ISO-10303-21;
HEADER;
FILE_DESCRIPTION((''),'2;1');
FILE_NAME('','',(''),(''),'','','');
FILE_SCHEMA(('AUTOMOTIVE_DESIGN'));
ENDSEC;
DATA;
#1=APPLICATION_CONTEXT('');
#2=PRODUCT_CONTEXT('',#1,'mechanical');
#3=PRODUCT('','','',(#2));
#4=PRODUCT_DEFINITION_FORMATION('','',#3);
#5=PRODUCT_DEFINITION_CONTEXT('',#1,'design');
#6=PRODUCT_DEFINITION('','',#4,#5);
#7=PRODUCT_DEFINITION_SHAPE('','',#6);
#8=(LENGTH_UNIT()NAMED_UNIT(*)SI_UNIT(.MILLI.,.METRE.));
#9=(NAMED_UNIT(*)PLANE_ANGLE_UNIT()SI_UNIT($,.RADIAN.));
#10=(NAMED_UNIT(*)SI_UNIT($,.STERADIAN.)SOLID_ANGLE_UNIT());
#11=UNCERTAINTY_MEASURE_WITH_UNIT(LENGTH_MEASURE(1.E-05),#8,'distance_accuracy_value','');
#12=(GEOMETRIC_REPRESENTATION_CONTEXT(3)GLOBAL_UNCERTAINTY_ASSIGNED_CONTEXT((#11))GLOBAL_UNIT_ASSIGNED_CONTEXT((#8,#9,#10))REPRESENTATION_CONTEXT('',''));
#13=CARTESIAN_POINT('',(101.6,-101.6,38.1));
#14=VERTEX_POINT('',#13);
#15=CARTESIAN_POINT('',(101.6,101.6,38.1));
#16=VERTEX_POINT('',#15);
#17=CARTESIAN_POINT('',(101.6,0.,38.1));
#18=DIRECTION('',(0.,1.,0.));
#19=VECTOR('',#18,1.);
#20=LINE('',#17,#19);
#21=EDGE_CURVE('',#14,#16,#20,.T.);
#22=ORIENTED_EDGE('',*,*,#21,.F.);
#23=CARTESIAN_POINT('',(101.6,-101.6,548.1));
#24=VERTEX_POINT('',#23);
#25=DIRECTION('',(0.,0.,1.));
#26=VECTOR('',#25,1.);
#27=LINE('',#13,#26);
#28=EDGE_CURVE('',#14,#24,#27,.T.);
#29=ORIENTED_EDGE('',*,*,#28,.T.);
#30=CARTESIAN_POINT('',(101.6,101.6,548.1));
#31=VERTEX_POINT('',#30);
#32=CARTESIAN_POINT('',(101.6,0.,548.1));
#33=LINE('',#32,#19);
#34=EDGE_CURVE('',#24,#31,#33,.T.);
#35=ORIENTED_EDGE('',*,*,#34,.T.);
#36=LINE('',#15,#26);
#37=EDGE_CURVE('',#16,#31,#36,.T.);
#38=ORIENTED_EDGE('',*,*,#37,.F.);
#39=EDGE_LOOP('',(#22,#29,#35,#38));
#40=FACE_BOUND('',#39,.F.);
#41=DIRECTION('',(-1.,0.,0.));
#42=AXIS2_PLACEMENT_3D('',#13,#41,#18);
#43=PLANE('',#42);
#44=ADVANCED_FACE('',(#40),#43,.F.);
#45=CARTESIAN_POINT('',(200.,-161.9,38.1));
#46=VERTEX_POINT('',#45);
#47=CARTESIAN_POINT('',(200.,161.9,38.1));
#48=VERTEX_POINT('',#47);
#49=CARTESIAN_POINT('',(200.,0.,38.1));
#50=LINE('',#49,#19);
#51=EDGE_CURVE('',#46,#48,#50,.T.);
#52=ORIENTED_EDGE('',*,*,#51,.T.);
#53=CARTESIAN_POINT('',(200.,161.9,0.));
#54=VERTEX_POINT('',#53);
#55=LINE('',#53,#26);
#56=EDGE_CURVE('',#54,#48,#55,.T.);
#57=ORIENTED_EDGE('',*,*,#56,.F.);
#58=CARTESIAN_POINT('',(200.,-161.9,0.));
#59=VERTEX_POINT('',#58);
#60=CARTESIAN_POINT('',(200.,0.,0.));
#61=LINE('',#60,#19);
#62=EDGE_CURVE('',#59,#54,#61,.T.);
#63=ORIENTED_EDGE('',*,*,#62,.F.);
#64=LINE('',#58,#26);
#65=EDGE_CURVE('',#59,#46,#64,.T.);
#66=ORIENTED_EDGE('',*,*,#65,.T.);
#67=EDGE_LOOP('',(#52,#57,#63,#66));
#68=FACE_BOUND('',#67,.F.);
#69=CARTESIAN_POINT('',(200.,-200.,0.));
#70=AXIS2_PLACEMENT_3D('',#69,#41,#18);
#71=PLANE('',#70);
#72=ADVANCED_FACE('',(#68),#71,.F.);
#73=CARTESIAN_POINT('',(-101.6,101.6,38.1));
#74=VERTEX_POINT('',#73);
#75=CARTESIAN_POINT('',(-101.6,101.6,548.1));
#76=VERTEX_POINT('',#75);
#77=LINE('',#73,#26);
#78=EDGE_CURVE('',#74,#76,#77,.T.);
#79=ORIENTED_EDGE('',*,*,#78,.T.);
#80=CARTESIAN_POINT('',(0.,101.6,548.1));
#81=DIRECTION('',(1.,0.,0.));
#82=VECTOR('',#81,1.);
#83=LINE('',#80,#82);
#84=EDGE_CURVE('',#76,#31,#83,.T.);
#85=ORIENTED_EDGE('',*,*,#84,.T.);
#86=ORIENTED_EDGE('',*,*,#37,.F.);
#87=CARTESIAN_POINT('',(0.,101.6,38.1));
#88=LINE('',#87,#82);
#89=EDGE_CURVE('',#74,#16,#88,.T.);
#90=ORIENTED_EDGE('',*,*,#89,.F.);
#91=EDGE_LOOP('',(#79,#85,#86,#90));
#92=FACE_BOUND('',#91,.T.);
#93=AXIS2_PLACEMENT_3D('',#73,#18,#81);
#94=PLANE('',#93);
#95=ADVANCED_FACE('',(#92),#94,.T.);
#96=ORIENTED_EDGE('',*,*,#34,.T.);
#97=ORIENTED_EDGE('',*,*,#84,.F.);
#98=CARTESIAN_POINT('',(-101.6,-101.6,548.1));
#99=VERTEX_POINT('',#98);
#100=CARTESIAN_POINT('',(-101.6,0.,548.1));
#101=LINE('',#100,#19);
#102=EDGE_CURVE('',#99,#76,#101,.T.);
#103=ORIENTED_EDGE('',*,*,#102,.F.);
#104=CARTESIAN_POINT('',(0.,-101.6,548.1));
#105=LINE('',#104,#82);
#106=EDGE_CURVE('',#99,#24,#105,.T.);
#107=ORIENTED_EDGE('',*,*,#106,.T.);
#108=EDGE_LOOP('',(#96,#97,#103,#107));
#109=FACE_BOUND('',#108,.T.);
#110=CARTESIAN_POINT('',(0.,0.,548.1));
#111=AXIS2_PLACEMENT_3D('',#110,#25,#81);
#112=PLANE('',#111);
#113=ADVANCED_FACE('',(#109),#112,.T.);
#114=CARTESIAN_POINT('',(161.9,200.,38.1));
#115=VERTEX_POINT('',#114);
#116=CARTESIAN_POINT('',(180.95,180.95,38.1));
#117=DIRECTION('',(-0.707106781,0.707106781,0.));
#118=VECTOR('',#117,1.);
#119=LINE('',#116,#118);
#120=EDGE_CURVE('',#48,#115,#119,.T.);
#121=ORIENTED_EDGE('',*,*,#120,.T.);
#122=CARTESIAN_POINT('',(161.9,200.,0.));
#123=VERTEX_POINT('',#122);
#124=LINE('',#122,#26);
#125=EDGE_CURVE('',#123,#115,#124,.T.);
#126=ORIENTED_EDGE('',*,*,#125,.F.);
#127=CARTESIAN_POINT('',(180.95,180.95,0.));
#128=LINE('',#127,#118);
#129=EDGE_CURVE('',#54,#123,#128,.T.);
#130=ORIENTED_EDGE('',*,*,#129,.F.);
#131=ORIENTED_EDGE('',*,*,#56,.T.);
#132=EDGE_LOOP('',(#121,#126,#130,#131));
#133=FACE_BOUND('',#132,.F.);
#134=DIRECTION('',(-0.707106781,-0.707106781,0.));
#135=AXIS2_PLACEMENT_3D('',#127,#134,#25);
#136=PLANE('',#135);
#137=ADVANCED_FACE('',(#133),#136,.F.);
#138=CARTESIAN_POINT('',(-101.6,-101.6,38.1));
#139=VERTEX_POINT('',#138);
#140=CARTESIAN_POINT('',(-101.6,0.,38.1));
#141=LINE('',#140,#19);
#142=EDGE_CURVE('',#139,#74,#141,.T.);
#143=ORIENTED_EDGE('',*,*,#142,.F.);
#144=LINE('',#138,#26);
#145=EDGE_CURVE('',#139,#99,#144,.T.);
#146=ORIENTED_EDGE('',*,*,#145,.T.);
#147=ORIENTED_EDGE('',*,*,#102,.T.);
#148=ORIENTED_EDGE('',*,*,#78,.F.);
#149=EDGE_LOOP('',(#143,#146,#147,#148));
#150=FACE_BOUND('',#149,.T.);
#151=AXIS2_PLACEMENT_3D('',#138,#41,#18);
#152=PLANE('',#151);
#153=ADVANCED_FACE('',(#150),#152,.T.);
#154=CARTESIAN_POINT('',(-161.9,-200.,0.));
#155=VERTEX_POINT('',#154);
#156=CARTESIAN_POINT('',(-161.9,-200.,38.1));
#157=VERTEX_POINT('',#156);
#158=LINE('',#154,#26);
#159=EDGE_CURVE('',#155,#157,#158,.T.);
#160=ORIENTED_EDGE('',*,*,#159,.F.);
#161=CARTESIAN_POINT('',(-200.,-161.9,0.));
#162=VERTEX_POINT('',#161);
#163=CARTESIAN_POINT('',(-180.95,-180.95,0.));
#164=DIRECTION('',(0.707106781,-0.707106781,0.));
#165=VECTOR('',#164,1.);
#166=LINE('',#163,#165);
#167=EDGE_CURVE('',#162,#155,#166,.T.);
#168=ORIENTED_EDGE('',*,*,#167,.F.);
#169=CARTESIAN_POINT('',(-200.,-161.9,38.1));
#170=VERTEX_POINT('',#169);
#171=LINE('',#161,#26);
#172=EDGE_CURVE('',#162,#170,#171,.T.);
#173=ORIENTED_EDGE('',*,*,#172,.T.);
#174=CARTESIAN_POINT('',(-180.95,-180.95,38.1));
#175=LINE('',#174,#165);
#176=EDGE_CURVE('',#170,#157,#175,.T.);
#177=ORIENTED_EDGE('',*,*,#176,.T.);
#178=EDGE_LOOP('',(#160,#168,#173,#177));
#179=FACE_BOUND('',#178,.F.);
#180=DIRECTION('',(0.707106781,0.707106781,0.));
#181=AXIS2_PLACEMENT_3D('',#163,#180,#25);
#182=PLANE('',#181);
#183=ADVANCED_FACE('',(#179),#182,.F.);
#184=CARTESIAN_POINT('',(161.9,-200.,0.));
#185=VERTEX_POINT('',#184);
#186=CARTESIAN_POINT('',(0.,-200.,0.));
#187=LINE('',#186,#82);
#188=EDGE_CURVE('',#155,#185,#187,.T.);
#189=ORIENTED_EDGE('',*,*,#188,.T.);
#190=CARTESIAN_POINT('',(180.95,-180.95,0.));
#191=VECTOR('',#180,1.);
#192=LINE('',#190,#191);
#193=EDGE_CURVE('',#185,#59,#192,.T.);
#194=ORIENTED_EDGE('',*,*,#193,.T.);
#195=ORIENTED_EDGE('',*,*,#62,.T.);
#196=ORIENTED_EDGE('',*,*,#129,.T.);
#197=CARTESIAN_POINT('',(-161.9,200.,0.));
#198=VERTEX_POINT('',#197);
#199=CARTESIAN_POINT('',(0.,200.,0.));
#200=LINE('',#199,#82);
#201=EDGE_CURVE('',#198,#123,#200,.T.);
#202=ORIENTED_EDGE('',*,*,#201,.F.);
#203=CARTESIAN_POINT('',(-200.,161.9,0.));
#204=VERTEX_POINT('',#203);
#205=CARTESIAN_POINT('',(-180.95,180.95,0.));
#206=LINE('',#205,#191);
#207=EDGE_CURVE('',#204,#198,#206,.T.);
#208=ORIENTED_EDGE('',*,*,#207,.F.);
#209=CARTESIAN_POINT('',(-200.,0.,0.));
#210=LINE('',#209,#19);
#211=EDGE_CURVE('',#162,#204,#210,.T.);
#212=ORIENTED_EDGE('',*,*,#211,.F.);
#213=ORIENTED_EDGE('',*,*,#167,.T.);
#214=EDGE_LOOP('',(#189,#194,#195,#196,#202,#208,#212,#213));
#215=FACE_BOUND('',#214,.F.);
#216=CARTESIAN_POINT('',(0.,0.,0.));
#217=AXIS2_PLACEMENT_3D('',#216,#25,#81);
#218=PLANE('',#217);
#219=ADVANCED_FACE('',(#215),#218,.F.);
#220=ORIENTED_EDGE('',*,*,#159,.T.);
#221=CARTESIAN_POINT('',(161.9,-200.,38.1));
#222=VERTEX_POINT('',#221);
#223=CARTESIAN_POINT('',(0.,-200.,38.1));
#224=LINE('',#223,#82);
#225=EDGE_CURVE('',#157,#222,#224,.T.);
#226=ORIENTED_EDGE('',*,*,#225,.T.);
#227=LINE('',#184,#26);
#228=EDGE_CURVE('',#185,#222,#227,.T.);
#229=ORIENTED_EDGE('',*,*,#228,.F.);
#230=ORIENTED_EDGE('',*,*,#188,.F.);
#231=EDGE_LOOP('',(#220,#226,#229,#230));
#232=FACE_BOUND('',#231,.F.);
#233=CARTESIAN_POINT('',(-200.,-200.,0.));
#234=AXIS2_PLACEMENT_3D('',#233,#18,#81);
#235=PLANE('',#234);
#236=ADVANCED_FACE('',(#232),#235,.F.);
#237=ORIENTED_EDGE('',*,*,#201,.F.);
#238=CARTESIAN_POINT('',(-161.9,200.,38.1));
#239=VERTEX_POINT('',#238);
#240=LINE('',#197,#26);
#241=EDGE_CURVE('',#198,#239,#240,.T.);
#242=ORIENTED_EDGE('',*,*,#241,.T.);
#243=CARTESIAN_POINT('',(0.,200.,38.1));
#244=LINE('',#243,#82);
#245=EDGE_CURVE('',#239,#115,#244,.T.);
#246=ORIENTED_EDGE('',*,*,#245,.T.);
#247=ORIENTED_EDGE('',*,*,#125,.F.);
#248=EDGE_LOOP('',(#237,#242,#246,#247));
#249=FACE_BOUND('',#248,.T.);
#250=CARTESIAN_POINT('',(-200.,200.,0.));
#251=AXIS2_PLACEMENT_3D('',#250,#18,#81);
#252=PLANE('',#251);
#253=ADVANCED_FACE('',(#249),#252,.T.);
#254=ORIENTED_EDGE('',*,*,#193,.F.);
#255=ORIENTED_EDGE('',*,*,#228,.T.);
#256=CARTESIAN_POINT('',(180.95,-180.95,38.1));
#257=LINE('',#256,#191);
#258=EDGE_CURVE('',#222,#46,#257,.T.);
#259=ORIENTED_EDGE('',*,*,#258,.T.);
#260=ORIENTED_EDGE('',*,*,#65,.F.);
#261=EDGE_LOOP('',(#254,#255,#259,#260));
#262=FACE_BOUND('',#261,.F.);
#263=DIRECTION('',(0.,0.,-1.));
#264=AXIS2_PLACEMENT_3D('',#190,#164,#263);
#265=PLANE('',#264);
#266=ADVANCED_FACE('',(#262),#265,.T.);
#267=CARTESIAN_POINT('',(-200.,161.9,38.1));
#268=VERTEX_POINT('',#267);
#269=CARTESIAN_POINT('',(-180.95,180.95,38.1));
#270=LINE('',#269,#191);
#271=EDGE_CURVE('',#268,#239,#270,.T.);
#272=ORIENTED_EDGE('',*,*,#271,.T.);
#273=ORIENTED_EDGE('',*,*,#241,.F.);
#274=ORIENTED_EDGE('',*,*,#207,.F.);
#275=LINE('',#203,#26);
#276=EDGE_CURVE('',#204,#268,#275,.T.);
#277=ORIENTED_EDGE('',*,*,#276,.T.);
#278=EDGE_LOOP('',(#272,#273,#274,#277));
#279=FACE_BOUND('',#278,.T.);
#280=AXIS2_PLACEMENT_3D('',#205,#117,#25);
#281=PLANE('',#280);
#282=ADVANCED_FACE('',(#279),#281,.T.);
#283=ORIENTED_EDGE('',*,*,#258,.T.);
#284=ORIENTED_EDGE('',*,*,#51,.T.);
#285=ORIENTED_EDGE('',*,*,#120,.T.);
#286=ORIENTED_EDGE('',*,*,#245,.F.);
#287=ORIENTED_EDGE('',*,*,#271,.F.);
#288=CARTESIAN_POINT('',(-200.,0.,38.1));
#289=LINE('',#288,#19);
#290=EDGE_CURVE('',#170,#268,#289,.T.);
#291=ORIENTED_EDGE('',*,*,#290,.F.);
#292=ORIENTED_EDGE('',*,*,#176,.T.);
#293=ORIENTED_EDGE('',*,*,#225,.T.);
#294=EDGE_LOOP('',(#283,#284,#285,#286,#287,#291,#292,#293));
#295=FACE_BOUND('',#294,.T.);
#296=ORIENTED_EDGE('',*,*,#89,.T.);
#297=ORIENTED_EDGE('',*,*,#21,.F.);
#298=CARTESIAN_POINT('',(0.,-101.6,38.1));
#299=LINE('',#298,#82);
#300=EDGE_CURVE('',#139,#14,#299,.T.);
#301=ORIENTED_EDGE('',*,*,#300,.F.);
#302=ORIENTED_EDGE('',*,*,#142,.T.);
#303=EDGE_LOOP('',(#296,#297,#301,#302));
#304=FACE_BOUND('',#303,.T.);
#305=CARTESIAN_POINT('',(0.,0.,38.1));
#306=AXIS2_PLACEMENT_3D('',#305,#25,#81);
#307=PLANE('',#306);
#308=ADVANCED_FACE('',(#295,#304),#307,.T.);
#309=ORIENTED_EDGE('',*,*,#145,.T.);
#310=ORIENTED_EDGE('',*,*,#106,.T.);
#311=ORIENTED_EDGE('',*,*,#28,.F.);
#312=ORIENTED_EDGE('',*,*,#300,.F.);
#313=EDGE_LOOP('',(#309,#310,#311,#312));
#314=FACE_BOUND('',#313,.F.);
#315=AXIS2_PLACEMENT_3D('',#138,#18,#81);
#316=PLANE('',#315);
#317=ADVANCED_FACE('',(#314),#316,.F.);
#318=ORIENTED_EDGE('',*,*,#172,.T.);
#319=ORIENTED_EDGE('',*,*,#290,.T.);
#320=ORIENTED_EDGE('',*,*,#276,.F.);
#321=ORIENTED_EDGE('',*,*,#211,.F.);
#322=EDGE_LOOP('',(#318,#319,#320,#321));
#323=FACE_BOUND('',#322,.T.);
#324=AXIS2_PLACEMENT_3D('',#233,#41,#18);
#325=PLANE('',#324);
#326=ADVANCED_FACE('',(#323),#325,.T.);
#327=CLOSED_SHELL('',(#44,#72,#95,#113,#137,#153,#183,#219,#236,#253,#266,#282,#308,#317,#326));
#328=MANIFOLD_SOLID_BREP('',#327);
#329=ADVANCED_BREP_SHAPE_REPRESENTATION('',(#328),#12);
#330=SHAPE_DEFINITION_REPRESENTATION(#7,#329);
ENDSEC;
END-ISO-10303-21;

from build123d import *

# Parameters (mm, degrees)
F0_W     = 400
F0_H     = 400
F1_DEPTH = 38.1
F2_SIZE  = 38.1
F3_W     = 203.2
F3_H     = 203.2
F4_DEPTH = 510


with BuildPart() as f1:
    # F0 (on Top) → F1 (new body)
    with BuildSketch(Plane.XY):
        Rectangle(F0_W, F0_H)
    extrude(amount=F1_DEPTH)

    # F2
    f2_edges = [f1.edges().sort_by_distance(p)[0] for p in [
        (-200, 200, 19.05),
        (-200, -200, 19.05),
        (200, -200, 19.05),
        (200, 200, 19.05),
    ]]
    chamfer(f2_edges, length=F2_SIZE)

    # F3 (on face) → F4 (join)
    with BuildSketch(Plane.XY.offset(38.1)):
        Rectangle(F3_W, F3_H)
    extrude(amount=F4_DEPTH)


solid = f1.part
